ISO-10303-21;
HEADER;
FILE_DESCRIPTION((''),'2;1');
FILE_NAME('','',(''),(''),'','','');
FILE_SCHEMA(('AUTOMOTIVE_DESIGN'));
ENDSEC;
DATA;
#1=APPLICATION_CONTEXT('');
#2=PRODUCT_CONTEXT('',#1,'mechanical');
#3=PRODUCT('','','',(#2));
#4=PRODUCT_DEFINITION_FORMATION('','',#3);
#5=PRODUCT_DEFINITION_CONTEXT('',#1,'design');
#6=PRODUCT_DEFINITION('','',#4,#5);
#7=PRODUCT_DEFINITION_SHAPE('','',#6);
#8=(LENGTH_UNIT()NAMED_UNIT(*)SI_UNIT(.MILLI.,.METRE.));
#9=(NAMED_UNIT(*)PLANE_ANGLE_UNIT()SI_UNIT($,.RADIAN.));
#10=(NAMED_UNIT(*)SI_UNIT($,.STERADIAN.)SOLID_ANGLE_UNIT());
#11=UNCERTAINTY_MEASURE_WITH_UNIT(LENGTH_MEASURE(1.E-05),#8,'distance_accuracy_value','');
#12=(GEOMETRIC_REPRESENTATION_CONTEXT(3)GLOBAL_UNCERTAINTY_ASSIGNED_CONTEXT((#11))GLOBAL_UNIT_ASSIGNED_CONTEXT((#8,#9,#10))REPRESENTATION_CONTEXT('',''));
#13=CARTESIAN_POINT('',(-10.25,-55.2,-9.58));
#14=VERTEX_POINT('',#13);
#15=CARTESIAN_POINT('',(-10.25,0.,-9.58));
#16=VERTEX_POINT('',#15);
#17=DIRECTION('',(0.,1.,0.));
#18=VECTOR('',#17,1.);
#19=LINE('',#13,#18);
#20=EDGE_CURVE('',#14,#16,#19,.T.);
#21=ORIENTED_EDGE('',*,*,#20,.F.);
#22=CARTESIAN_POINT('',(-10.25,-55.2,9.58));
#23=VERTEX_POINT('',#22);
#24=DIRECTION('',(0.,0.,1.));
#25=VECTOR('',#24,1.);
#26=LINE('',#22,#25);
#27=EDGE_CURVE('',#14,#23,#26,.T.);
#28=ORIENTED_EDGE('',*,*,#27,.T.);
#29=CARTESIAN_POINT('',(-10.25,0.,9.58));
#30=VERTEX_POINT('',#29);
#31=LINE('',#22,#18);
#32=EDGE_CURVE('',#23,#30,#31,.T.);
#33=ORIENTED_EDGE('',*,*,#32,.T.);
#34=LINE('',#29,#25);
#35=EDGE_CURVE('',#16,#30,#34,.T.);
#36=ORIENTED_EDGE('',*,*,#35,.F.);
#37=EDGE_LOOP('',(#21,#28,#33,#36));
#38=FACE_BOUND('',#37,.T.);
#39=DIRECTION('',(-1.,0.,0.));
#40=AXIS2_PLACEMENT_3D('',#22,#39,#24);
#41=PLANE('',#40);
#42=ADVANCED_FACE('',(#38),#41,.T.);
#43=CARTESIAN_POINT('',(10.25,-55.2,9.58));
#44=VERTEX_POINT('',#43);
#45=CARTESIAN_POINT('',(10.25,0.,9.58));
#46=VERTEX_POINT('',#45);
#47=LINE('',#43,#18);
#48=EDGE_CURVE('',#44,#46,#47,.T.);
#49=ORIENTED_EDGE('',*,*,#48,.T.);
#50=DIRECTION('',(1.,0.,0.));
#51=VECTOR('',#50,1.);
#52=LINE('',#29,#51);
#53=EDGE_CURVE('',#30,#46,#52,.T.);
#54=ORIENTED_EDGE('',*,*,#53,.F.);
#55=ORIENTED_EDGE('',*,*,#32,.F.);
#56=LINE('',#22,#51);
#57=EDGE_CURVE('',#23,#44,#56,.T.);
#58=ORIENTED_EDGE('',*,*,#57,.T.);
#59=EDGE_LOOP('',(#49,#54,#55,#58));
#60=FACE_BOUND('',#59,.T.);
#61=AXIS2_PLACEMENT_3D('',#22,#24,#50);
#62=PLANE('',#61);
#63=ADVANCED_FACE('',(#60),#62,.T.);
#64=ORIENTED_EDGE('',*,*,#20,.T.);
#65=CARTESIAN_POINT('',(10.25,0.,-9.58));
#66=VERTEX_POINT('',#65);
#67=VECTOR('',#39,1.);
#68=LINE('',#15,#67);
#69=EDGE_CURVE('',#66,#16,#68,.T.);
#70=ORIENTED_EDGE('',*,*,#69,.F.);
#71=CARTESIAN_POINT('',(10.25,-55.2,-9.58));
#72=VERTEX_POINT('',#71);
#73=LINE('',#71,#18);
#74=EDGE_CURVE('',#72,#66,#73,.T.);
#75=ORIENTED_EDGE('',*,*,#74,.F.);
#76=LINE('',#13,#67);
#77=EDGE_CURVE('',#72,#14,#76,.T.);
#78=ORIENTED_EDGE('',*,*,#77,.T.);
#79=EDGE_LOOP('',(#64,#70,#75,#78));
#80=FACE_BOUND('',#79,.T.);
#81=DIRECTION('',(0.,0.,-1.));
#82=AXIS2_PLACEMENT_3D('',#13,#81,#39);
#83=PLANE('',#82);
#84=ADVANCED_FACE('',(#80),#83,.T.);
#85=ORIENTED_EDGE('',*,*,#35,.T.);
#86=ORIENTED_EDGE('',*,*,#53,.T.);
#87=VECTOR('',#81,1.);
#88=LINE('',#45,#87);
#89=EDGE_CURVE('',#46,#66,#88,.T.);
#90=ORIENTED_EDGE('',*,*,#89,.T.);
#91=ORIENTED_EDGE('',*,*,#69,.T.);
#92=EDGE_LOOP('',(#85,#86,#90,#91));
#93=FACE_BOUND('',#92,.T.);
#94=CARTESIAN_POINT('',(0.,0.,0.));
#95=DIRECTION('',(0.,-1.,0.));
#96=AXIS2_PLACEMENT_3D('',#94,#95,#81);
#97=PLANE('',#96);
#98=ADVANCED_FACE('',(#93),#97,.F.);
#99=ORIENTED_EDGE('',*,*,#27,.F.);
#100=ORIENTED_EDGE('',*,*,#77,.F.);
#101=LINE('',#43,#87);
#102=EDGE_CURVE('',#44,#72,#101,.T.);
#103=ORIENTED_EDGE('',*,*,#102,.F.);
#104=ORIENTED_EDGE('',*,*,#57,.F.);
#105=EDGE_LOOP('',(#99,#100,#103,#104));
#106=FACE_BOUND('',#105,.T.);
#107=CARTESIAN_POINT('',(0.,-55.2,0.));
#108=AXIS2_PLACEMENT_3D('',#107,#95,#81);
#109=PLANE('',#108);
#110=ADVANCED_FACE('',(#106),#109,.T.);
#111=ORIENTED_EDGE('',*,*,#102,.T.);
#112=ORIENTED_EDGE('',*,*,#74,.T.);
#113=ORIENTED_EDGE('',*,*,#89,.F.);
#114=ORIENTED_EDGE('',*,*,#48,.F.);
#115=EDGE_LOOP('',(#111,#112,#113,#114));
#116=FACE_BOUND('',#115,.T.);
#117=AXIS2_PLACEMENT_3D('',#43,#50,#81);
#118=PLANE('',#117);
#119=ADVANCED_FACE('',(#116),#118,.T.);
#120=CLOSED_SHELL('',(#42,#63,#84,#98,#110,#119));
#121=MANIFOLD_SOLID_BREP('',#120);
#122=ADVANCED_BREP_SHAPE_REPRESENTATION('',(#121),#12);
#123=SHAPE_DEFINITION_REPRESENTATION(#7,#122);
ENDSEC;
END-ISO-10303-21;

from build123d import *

# Parameters (mm, degrees)
SKETCH1_W           = 20.5
SKETCH1_H           = 19.16
BOSS_EXTRUDE1_DEPTH = 55.2


with BuildPart() as part:
    # Sketch1 → Boss-Extrude1 (new body)
    with BuildSketch(Plane(origin=(0, 0, 0), x_dir=(1, 0, 0), z_dir=(0, 1, 0))):
        Rectangle(SKETCH1_W, SKETCH1_H)
    extrude(amount=-BOSS_EXTRUDE1_DEPTH)


solid = part.part
